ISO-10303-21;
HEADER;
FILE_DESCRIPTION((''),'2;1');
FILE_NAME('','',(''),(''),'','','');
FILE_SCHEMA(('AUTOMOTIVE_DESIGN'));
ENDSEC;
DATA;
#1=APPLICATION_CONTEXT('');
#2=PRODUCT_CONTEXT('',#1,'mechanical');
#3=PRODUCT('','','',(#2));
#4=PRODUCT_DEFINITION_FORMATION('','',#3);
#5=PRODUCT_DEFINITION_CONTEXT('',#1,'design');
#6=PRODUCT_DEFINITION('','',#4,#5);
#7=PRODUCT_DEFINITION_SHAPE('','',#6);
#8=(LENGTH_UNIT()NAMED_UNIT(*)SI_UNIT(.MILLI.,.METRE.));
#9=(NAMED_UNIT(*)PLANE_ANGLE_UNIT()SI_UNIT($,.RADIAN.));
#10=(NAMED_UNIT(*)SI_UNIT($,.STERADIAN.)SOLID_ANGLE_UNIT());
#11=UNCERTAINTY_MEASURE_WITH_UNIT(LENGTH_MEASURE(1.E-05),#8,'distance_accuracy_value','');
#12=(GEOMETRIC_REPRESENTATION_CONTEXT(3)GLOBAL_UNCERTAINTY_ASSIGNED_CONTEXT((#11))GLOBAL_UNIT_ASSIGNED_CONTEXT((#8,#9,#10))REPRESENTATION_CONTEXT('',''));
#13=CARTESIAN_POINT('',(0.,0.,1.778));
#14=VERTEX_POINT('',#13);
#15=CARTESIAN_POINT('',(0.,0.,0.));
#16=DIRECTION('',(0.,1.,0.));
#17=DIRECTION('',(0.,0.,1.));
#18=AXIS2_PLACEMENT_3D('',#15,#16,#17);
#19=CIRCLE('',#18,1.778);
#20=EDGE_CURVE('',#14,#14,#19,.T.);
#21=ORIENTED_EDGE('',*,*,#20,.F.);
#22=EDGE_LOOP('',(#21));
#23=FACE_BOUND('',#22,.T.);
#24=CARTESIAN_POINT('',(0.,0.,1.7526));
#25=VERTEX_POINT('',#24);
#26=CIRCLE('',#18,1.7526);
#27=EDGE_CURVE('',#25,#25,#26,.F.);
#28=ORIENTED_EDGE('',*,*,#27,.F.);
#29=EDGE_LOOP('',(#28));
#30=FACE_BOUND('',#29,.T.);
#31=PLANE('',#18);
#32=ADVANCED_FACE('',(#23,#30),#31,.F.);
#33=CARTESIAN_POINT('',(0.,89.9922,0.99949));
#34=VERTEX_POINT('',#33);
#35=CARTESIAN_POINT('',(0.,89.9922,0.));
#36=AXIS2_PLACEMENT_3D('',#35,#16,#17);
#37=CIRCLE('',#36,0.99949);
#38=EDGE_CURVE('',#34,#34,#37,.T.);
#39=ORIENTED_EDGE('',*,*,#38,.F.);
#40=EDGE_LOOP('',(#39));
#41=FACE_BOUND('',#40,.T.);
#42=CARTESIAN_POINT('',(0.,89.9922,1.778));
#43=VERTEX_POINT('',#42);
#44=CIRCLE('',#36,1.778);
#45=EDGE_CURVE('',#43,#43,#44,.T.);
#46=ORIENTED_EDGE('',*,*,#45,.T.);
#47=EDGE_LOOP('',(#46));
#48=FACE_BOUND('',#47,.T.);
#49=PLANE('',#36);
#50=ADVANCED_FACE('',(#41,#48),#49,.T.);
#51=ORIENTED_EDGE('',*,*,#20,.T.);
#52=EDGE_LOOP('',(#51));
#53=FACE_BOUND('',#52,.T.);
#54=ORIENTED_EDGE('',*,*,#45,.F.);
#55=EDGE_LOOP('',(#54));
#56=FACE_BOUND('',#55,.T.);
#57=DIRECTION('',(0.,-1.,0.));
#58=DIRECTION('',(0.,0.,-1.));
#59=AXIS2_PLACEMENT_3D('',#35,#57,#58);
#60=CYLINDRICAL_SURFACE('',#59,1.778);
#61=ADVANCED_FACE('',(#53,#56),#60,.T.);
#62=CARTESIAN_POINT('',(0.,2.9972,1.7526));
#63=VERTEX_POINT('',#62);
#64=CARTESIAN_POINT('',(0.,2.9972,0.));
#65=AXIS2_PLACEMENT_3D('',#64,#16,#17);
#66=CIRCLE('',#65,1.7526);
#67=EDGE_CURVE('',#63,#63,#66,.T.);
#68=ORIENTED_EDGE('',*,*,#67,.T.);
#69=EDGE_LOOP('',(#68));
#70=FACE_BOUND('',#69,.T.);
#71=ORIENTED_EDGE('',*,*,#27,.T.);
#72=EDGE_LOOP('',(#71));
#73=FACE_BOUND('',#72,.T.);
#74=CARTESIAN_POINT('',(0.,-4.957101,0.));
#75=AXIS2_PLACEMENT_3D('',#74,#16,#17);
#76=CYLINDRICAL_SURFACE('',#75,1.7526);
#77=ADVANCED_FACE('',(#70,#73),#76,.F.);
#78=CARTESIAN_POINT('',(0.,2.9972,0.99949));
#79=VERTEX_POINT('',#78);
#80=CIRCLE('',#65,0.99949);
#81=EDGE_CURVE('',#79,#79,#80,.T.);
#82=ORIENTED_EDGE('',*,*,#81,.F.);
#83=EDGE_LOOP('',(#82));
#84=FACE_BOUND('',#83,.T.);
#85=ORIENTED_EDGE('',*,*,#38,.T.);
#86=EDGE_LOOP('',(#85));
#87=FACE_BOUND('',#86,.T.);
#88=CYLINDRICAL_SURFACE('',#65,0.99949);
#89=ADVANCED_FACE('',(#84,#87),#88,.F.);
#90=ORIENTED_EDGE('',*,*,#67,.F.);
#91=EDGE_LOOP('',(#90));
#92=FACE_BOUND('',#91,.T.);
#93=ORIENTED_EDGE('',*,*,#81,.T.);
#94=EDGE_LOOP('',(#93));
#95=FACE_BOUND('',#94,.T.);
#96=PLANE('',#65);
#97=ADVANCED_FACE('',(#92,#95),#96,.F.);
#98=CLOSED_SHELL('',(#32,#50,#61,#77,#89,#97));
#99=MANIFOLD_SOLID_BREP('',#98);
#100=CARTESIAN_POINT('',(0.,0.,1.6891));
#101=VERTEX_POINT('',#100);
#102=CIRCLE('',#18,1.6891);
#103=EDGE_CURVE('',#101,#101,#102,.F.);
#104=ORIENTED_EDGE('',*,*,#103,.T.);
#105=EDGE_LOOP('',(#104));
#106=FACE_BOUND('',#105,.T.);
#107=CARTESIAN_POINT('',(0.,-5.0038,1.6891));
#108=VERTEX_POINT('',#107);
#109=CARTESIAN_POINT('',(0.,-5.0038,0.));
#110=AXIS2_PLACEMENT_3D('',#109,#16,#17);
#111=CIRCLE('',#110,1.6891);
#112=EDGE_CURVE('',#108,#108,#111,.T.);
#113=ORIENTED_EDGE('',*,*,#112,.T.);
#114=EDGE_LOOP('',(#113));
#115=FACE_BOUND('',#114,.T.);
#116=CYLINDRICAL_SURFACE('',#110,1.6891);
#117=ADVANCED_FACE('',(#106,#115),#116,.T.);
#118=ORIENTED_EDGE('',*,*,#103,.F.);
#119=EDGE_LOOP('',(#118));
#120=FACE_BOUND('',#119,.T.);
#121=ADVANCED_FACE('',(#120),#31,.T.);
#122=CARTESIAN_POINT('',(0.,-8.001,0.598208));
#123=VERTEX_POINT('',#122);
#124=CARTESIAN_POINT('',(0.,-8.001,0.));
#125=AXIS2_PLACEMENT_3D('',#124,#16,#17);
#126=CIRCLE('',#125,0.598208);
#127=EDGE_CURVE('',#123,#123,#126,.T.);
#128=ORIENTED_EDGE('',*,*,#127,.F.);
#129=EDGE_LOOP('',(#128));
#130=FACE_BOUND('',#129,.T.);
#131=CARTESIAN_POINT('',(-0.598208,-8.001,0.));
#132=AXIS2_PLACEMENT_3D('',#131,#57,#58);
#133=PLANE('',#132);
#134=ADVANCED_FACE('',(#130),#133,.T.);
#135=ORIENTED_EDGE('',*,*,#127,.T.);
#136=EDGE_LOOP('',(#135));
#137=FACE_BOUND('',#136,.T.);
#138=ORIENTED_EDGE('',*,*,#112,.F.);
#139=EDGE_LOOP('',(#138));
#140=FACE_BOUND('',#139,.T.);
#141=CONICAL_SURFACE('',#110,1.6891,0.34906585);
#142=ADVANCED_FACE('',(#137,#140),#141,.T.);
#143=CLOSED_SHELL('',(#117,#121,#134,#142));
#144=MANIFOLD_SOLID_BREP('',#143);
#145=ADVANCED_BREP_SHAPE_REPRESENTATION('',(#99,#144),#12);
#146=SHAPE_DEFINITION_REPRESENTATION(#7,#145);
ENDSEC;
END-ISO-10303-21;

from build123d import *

# Parameters (mm, degrees)
SKETCH2_R           = 1.778
BOSS_EXTRUDE1_DEPTH = 89.9922
SKETCH3_R           = 1.6891
BOSS_EXTRUDE2_DEPTH = 8.001
SKETCH4_R           = 0.99949
CUT_EXTRUDE1_DEPTH  = 86.995
SKETCH5_R           = 1.7526
CUT_EXTRUDE2_DEPTH  = 2.9972


with BuildPart() as part:
    # Sketch2 → Boss-Extrude1 (new body)
    with BuildSketch(Plane(origin=(0, 0, 0), x_dir=(1, 0, 0), z_dir=(0, 1, 0))):
        Circle(SKETCH2_R)
    extrude(amount=BOSS_EXTRUDE1_DEPTH)

    # Sketch3 → Boss-Extrude2 (add)
    with BuildSketch(Plane(origin=(0, 2.9972, 0), x_dir=(1, 0, 0), z_dir=(0, 1, 0))):
        Circle(SKETCH3_R)
    extrude(amount=-BOSS_EXTRUDE2_DEPTH)

    # Sketch4 → Cut-Extrude1 (cut)
    with BuildSketch(Plane(origin=(0, 89.9922, 0), x_dir=(1, 0, 0), z_dir=(0, 1, 0))):
        Circle(SKETCH4_R)
    extrude(amount=-CUT_EXTRUDE1_DEPTH, mode=Mode.SUBTRACT)

    # Sketch5 → Cut-Extrude2 (cut)
    with BuildSketch(Plane(origin=(0, 2.9972, 0), x_dir=(1, 0, 0), z_dir=(0, 1, 0))):
        Circle(SKETCH5_R)
    extrude(amount=-CUT_EXTRUDE2_DEPTH, mode=Mode.SUBTRACT)

    # Sketch6 → Revolve2 (revolve)
    with BuildSketch(Plane.XY):
        Polygon((-1.6891, -5.0038), (-0.598208414, -8.001), (0, -8.001), (0, -5.0038), align=None)
    revolve(axis=Axis((0, 0, 0), (0, -1, 0)))


solid = part.part
